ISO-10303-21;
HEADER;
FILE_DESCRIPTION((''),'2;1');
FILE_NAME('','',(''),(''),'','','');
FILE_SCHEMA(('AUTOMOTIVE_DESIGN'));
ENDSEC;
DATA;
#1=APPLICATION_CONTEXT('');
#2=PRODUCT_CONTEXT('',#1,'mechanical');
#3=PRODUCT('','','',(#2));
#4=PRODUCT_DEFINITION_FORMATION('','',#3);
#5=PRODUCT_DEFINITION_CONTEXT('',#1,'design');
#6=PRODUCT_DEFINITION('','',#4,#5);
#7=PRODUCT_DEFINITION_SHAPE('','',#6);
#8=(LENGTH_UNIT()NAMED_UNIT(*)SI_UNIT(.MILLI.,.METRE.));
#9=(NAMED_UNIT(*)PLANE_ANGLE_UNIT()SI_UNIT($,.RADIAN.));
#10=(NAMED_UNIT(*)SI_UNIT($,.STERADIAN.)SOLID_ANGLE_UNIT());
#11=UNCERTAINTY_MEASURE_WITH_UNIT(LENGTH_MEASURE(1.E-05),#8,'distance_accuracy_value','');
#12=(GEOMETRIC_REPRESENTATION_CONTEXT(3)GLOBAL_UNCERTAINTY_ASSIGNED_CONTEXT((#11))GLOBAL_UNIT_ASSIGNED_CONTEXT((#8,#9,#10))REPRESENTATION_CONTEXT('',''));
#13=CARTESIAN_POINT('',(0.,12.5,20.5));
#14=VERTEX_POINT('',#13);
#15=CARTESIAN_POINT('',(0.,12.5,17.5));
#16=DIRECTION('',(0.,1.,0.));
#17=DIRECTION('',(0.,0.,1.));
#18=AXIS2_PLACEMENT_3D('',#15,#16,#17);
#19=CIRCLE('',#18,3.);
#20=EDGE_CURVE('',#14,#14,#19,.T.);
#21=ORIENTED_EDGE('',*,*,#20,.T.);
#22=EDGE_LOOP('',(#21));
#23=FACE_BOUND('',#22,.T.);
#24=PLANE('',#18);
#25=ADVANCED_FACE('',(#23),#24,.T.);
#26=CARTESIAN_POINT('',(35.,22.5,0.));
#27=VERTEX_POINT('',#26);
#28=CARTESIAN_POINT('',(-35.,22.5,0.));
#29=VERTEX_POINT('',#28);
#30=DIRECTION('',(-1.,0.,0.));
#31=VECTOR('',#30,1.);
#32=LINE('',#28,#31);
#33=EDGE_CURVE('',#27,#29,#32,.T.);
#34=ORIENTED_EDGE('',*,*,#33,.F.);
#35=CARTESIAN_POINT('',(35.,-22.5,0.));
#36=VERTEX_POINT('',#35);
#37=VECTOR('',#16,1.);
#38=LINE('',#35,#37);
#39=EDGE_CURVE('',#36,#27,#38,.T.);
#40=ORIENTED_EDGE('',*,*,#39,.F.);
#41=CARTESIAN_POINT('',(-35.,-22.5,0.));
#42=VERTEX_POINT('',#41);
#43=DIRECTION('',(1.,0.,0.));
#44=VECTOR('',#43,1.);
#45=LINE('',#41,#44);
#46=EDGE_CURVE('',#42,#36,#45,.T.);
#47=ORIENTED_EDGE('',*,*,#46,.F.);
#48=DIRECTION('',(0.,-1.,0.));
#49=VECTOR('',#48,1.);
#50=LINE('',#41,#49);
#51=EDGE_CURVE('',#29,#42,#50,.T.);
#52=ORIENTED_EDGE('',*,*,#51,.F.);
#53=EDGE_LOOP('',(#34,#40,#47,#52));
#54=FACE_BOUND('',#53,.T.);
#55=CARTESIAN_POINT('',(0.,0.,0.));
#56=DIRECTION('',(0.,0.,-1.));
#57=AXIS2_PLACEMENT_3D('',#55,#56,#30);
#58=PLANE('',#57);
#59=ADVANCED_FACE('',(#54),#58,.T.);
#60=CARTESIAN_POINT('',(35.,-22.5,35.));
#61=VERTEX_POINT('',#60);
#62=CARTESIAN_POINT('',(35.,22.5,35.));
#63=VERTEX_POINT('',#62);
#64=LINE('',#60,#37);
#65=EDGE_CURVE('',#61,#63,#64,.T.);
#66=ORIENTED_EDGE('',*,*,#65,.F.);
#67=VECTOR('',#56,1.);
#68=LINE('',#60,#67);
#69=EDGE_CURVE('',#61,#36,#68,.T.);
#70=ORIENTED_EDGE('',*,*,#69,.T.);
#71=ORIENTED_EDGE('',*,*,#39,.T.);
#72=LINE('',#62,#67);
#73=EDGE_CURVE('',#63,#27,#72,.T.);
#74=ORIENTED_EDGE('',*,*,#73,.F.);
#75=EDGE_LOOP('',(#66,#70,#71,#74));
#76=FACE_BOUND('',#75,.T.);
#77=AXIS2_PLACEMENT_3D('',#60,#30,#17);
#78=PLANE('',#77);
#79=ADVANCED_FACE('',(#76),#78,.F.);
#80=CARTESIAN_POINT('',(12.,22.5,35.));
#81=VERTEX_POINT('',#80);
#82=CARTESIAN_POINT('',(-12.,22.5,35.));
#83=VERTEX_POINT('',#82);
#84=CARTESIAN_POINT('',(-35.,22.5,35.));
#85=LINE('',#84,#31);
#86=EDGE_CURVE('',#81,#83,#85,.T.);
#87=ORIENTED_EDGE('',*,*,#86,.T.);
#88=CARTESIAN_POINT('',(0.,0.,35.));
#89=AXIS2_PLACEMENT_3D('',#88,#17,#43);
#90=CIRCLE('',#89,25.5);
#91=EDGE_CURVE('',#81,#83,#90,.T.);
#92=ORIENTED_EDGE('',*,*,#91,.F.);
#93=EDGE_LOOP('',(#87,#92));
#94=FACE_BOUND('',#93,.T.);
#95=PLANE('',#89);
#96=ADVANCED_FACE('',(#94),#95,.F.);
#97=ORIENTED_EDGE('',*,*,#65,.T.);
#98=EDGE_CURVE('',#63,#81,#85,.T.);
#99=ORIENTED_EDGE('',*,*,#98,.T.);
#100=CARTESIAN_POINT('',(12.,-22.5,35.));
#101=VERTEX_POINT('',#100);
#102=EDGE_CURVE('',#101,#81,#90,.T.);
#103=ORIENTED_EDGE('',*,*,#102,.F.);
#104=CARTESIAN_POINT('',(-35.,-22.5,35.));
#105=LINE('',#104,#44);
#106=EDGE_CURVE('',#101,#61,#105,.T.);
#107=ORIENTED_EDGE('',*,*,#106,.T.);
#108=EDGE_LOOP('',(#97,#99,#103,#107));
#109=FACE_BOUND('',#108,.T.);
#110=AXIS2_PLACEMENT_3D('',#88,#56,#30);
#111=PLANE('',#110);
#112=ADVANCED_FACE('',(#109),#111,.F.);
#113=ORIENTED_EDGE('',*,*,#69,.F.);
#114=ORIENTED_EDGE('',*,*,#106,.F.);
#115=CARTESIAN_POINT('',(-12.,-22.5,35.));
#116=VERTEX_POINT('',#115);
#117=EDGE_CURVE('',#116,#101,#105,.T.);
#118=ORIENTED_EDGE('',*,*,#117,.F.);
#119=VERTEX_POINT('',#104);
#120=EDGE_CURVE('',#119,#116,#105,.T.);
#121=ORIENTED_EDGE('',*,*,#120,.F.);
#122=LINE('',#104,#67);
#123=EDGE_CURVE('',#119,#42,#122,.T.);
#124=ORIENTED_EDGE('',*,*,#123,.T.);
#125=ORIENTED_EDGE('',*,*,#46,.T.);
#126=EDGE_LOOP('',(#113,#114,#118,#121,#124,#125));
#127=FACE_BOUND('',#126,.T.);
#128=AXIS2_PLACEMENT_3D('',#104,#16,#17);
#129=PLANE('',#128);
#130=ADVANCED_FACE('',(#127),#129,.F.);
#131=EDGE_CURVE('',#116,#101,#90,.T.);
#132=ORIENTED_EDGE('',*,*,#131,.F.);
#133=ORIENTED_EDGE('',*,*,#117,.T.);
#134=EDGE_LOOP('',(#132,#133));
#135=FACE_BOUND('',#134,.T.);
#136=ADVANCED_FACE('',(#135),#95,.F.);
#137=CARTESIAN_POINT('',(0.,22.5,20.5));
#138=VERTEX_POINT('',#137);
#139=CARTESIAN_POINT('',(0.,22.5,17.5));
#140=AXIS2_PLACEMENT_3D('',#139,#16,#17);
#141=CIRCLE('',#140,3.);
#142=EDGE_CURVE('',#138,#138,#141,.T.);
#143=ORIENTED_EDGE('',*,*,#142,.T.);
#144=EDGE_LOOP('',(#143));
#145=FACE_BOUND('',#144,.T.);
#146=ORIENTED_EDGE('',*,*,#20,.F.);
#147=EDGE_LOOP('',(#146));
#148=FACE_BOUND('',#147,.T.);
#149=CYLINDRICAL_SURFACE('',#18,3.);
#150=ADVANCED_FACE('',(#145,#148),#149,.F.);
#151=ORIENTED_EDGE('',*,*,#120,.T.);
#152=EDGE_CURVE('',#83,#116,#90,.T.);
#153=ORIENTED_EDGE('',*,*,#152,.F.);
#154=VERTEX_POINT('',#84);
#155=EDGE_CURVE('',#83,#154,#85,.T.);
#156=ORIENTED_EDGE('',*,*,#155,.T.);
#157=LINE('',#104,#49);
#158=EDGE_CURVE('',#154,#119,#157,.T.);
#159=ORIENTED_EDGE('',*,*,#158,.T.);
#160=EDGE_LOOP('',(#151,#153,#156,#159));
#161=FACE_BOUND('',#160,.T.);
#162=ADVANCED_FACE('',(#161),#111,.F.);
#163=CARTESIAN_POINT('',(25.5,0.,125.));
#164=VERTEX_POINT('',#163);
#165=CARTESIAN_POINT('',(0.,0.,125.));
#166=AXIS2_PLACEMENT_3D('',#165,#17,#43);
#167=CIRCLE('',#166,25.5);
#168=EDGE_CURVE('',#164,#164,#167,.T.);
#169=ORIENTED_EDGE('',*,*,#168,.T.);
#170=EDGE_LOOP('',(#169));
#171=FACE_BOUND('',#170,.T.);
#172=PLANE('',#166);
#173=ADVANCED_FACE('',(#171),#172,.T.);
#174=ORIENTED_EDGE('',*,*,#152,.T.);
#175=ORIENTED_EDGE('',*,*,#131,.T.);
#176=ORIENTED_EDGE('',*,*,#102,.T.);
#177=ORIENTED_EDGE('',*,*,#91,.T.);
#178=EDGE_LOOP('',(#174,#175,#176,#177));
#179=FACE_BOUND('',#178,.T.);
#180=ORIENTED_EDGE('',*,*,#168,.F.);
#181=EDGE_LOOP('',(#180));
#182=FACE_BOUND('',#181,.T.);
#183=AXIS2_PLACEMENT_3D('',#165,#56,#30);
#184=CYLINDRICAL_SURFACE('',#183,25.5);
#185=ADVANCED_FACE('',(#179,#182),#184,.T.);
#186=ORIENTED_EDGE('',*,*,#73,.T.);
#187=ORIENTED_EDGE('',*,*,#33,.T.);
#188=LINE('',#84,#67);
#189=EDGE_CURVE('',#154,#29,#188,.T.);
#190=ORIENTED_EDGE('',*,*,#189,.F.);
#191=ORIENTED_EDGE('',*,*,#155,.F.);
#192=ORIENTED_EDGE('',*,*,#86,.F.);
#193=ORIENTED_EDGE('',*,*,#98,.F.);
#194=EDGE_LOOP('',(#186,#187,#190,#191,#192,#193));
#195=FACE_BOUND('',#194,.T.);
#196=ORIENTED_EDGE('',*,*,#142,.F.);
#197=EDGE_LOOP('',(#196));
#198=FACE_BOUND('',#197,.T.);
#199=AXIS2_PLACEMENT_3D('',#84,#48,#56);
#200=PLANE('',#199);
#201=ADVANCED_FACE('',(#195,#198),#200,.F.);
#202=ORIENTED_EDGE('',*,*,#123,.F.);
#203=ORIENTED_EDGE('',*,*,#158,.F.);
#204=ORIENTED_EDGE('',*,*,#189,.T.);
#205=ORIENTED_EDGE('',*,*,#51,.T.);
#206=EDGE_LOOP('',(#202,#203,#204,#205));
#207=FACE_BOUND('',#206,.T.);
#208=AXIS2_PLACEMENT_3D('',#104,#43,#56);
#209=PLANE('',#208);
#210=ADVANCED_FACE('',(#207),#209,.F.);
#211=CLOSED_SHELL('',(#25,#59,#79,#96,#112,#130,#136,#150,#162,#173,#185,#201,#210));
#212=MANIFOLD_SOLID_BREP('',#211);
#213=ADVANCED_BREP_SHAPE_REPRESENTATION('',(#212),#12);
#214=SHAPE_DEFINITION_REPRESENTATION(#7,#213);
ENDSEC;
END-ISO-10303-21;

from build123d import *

# Parameters (mm, degrees)
SKETCH1_W           = 70
SKETCH1_H           = 45
BOSS_EXTRUDE1_DEPTH = 35
SKETCH2_R           = 25.5
BOSS_EXTRUDE2_DEPTH = 90
SKETCH3_R           = 3
CUT_EXTRUDE1_DEPTH  = 10


with BuildPart() as part:
    # Sketch1 → Boss-Extrude1 (new body)
    with BuildSketch(Plane.XY):
        Rectangle(SKETCH1_W, SKETCH1_H)
    extrude(amount=BOSS_EXTRUDE1_DEPTH)

    # Sketch2 → Boss-Extrude2 (add)
    with BuildSketch(Plane.XY.offset(35)):
        Circle(SKETCH2_R)
    extrude(amount=BOSS_EXTRUDE2_DEPTH)

    # Sketch3 → Cut-Extrude1 (cut)
    with BuildSketch(Plane(origin=(0, 22.5, 0), x_dir=(1, 0, 0), z_dir=(0, 1, 0))):
        with Locations((0, -17.5)):
            Circle(SKETCH3_R)
    extrude(amount=-CUT_EXTRUDE1_DEPTH, mode=Mode.SUBTRACT)


solid = part.part
